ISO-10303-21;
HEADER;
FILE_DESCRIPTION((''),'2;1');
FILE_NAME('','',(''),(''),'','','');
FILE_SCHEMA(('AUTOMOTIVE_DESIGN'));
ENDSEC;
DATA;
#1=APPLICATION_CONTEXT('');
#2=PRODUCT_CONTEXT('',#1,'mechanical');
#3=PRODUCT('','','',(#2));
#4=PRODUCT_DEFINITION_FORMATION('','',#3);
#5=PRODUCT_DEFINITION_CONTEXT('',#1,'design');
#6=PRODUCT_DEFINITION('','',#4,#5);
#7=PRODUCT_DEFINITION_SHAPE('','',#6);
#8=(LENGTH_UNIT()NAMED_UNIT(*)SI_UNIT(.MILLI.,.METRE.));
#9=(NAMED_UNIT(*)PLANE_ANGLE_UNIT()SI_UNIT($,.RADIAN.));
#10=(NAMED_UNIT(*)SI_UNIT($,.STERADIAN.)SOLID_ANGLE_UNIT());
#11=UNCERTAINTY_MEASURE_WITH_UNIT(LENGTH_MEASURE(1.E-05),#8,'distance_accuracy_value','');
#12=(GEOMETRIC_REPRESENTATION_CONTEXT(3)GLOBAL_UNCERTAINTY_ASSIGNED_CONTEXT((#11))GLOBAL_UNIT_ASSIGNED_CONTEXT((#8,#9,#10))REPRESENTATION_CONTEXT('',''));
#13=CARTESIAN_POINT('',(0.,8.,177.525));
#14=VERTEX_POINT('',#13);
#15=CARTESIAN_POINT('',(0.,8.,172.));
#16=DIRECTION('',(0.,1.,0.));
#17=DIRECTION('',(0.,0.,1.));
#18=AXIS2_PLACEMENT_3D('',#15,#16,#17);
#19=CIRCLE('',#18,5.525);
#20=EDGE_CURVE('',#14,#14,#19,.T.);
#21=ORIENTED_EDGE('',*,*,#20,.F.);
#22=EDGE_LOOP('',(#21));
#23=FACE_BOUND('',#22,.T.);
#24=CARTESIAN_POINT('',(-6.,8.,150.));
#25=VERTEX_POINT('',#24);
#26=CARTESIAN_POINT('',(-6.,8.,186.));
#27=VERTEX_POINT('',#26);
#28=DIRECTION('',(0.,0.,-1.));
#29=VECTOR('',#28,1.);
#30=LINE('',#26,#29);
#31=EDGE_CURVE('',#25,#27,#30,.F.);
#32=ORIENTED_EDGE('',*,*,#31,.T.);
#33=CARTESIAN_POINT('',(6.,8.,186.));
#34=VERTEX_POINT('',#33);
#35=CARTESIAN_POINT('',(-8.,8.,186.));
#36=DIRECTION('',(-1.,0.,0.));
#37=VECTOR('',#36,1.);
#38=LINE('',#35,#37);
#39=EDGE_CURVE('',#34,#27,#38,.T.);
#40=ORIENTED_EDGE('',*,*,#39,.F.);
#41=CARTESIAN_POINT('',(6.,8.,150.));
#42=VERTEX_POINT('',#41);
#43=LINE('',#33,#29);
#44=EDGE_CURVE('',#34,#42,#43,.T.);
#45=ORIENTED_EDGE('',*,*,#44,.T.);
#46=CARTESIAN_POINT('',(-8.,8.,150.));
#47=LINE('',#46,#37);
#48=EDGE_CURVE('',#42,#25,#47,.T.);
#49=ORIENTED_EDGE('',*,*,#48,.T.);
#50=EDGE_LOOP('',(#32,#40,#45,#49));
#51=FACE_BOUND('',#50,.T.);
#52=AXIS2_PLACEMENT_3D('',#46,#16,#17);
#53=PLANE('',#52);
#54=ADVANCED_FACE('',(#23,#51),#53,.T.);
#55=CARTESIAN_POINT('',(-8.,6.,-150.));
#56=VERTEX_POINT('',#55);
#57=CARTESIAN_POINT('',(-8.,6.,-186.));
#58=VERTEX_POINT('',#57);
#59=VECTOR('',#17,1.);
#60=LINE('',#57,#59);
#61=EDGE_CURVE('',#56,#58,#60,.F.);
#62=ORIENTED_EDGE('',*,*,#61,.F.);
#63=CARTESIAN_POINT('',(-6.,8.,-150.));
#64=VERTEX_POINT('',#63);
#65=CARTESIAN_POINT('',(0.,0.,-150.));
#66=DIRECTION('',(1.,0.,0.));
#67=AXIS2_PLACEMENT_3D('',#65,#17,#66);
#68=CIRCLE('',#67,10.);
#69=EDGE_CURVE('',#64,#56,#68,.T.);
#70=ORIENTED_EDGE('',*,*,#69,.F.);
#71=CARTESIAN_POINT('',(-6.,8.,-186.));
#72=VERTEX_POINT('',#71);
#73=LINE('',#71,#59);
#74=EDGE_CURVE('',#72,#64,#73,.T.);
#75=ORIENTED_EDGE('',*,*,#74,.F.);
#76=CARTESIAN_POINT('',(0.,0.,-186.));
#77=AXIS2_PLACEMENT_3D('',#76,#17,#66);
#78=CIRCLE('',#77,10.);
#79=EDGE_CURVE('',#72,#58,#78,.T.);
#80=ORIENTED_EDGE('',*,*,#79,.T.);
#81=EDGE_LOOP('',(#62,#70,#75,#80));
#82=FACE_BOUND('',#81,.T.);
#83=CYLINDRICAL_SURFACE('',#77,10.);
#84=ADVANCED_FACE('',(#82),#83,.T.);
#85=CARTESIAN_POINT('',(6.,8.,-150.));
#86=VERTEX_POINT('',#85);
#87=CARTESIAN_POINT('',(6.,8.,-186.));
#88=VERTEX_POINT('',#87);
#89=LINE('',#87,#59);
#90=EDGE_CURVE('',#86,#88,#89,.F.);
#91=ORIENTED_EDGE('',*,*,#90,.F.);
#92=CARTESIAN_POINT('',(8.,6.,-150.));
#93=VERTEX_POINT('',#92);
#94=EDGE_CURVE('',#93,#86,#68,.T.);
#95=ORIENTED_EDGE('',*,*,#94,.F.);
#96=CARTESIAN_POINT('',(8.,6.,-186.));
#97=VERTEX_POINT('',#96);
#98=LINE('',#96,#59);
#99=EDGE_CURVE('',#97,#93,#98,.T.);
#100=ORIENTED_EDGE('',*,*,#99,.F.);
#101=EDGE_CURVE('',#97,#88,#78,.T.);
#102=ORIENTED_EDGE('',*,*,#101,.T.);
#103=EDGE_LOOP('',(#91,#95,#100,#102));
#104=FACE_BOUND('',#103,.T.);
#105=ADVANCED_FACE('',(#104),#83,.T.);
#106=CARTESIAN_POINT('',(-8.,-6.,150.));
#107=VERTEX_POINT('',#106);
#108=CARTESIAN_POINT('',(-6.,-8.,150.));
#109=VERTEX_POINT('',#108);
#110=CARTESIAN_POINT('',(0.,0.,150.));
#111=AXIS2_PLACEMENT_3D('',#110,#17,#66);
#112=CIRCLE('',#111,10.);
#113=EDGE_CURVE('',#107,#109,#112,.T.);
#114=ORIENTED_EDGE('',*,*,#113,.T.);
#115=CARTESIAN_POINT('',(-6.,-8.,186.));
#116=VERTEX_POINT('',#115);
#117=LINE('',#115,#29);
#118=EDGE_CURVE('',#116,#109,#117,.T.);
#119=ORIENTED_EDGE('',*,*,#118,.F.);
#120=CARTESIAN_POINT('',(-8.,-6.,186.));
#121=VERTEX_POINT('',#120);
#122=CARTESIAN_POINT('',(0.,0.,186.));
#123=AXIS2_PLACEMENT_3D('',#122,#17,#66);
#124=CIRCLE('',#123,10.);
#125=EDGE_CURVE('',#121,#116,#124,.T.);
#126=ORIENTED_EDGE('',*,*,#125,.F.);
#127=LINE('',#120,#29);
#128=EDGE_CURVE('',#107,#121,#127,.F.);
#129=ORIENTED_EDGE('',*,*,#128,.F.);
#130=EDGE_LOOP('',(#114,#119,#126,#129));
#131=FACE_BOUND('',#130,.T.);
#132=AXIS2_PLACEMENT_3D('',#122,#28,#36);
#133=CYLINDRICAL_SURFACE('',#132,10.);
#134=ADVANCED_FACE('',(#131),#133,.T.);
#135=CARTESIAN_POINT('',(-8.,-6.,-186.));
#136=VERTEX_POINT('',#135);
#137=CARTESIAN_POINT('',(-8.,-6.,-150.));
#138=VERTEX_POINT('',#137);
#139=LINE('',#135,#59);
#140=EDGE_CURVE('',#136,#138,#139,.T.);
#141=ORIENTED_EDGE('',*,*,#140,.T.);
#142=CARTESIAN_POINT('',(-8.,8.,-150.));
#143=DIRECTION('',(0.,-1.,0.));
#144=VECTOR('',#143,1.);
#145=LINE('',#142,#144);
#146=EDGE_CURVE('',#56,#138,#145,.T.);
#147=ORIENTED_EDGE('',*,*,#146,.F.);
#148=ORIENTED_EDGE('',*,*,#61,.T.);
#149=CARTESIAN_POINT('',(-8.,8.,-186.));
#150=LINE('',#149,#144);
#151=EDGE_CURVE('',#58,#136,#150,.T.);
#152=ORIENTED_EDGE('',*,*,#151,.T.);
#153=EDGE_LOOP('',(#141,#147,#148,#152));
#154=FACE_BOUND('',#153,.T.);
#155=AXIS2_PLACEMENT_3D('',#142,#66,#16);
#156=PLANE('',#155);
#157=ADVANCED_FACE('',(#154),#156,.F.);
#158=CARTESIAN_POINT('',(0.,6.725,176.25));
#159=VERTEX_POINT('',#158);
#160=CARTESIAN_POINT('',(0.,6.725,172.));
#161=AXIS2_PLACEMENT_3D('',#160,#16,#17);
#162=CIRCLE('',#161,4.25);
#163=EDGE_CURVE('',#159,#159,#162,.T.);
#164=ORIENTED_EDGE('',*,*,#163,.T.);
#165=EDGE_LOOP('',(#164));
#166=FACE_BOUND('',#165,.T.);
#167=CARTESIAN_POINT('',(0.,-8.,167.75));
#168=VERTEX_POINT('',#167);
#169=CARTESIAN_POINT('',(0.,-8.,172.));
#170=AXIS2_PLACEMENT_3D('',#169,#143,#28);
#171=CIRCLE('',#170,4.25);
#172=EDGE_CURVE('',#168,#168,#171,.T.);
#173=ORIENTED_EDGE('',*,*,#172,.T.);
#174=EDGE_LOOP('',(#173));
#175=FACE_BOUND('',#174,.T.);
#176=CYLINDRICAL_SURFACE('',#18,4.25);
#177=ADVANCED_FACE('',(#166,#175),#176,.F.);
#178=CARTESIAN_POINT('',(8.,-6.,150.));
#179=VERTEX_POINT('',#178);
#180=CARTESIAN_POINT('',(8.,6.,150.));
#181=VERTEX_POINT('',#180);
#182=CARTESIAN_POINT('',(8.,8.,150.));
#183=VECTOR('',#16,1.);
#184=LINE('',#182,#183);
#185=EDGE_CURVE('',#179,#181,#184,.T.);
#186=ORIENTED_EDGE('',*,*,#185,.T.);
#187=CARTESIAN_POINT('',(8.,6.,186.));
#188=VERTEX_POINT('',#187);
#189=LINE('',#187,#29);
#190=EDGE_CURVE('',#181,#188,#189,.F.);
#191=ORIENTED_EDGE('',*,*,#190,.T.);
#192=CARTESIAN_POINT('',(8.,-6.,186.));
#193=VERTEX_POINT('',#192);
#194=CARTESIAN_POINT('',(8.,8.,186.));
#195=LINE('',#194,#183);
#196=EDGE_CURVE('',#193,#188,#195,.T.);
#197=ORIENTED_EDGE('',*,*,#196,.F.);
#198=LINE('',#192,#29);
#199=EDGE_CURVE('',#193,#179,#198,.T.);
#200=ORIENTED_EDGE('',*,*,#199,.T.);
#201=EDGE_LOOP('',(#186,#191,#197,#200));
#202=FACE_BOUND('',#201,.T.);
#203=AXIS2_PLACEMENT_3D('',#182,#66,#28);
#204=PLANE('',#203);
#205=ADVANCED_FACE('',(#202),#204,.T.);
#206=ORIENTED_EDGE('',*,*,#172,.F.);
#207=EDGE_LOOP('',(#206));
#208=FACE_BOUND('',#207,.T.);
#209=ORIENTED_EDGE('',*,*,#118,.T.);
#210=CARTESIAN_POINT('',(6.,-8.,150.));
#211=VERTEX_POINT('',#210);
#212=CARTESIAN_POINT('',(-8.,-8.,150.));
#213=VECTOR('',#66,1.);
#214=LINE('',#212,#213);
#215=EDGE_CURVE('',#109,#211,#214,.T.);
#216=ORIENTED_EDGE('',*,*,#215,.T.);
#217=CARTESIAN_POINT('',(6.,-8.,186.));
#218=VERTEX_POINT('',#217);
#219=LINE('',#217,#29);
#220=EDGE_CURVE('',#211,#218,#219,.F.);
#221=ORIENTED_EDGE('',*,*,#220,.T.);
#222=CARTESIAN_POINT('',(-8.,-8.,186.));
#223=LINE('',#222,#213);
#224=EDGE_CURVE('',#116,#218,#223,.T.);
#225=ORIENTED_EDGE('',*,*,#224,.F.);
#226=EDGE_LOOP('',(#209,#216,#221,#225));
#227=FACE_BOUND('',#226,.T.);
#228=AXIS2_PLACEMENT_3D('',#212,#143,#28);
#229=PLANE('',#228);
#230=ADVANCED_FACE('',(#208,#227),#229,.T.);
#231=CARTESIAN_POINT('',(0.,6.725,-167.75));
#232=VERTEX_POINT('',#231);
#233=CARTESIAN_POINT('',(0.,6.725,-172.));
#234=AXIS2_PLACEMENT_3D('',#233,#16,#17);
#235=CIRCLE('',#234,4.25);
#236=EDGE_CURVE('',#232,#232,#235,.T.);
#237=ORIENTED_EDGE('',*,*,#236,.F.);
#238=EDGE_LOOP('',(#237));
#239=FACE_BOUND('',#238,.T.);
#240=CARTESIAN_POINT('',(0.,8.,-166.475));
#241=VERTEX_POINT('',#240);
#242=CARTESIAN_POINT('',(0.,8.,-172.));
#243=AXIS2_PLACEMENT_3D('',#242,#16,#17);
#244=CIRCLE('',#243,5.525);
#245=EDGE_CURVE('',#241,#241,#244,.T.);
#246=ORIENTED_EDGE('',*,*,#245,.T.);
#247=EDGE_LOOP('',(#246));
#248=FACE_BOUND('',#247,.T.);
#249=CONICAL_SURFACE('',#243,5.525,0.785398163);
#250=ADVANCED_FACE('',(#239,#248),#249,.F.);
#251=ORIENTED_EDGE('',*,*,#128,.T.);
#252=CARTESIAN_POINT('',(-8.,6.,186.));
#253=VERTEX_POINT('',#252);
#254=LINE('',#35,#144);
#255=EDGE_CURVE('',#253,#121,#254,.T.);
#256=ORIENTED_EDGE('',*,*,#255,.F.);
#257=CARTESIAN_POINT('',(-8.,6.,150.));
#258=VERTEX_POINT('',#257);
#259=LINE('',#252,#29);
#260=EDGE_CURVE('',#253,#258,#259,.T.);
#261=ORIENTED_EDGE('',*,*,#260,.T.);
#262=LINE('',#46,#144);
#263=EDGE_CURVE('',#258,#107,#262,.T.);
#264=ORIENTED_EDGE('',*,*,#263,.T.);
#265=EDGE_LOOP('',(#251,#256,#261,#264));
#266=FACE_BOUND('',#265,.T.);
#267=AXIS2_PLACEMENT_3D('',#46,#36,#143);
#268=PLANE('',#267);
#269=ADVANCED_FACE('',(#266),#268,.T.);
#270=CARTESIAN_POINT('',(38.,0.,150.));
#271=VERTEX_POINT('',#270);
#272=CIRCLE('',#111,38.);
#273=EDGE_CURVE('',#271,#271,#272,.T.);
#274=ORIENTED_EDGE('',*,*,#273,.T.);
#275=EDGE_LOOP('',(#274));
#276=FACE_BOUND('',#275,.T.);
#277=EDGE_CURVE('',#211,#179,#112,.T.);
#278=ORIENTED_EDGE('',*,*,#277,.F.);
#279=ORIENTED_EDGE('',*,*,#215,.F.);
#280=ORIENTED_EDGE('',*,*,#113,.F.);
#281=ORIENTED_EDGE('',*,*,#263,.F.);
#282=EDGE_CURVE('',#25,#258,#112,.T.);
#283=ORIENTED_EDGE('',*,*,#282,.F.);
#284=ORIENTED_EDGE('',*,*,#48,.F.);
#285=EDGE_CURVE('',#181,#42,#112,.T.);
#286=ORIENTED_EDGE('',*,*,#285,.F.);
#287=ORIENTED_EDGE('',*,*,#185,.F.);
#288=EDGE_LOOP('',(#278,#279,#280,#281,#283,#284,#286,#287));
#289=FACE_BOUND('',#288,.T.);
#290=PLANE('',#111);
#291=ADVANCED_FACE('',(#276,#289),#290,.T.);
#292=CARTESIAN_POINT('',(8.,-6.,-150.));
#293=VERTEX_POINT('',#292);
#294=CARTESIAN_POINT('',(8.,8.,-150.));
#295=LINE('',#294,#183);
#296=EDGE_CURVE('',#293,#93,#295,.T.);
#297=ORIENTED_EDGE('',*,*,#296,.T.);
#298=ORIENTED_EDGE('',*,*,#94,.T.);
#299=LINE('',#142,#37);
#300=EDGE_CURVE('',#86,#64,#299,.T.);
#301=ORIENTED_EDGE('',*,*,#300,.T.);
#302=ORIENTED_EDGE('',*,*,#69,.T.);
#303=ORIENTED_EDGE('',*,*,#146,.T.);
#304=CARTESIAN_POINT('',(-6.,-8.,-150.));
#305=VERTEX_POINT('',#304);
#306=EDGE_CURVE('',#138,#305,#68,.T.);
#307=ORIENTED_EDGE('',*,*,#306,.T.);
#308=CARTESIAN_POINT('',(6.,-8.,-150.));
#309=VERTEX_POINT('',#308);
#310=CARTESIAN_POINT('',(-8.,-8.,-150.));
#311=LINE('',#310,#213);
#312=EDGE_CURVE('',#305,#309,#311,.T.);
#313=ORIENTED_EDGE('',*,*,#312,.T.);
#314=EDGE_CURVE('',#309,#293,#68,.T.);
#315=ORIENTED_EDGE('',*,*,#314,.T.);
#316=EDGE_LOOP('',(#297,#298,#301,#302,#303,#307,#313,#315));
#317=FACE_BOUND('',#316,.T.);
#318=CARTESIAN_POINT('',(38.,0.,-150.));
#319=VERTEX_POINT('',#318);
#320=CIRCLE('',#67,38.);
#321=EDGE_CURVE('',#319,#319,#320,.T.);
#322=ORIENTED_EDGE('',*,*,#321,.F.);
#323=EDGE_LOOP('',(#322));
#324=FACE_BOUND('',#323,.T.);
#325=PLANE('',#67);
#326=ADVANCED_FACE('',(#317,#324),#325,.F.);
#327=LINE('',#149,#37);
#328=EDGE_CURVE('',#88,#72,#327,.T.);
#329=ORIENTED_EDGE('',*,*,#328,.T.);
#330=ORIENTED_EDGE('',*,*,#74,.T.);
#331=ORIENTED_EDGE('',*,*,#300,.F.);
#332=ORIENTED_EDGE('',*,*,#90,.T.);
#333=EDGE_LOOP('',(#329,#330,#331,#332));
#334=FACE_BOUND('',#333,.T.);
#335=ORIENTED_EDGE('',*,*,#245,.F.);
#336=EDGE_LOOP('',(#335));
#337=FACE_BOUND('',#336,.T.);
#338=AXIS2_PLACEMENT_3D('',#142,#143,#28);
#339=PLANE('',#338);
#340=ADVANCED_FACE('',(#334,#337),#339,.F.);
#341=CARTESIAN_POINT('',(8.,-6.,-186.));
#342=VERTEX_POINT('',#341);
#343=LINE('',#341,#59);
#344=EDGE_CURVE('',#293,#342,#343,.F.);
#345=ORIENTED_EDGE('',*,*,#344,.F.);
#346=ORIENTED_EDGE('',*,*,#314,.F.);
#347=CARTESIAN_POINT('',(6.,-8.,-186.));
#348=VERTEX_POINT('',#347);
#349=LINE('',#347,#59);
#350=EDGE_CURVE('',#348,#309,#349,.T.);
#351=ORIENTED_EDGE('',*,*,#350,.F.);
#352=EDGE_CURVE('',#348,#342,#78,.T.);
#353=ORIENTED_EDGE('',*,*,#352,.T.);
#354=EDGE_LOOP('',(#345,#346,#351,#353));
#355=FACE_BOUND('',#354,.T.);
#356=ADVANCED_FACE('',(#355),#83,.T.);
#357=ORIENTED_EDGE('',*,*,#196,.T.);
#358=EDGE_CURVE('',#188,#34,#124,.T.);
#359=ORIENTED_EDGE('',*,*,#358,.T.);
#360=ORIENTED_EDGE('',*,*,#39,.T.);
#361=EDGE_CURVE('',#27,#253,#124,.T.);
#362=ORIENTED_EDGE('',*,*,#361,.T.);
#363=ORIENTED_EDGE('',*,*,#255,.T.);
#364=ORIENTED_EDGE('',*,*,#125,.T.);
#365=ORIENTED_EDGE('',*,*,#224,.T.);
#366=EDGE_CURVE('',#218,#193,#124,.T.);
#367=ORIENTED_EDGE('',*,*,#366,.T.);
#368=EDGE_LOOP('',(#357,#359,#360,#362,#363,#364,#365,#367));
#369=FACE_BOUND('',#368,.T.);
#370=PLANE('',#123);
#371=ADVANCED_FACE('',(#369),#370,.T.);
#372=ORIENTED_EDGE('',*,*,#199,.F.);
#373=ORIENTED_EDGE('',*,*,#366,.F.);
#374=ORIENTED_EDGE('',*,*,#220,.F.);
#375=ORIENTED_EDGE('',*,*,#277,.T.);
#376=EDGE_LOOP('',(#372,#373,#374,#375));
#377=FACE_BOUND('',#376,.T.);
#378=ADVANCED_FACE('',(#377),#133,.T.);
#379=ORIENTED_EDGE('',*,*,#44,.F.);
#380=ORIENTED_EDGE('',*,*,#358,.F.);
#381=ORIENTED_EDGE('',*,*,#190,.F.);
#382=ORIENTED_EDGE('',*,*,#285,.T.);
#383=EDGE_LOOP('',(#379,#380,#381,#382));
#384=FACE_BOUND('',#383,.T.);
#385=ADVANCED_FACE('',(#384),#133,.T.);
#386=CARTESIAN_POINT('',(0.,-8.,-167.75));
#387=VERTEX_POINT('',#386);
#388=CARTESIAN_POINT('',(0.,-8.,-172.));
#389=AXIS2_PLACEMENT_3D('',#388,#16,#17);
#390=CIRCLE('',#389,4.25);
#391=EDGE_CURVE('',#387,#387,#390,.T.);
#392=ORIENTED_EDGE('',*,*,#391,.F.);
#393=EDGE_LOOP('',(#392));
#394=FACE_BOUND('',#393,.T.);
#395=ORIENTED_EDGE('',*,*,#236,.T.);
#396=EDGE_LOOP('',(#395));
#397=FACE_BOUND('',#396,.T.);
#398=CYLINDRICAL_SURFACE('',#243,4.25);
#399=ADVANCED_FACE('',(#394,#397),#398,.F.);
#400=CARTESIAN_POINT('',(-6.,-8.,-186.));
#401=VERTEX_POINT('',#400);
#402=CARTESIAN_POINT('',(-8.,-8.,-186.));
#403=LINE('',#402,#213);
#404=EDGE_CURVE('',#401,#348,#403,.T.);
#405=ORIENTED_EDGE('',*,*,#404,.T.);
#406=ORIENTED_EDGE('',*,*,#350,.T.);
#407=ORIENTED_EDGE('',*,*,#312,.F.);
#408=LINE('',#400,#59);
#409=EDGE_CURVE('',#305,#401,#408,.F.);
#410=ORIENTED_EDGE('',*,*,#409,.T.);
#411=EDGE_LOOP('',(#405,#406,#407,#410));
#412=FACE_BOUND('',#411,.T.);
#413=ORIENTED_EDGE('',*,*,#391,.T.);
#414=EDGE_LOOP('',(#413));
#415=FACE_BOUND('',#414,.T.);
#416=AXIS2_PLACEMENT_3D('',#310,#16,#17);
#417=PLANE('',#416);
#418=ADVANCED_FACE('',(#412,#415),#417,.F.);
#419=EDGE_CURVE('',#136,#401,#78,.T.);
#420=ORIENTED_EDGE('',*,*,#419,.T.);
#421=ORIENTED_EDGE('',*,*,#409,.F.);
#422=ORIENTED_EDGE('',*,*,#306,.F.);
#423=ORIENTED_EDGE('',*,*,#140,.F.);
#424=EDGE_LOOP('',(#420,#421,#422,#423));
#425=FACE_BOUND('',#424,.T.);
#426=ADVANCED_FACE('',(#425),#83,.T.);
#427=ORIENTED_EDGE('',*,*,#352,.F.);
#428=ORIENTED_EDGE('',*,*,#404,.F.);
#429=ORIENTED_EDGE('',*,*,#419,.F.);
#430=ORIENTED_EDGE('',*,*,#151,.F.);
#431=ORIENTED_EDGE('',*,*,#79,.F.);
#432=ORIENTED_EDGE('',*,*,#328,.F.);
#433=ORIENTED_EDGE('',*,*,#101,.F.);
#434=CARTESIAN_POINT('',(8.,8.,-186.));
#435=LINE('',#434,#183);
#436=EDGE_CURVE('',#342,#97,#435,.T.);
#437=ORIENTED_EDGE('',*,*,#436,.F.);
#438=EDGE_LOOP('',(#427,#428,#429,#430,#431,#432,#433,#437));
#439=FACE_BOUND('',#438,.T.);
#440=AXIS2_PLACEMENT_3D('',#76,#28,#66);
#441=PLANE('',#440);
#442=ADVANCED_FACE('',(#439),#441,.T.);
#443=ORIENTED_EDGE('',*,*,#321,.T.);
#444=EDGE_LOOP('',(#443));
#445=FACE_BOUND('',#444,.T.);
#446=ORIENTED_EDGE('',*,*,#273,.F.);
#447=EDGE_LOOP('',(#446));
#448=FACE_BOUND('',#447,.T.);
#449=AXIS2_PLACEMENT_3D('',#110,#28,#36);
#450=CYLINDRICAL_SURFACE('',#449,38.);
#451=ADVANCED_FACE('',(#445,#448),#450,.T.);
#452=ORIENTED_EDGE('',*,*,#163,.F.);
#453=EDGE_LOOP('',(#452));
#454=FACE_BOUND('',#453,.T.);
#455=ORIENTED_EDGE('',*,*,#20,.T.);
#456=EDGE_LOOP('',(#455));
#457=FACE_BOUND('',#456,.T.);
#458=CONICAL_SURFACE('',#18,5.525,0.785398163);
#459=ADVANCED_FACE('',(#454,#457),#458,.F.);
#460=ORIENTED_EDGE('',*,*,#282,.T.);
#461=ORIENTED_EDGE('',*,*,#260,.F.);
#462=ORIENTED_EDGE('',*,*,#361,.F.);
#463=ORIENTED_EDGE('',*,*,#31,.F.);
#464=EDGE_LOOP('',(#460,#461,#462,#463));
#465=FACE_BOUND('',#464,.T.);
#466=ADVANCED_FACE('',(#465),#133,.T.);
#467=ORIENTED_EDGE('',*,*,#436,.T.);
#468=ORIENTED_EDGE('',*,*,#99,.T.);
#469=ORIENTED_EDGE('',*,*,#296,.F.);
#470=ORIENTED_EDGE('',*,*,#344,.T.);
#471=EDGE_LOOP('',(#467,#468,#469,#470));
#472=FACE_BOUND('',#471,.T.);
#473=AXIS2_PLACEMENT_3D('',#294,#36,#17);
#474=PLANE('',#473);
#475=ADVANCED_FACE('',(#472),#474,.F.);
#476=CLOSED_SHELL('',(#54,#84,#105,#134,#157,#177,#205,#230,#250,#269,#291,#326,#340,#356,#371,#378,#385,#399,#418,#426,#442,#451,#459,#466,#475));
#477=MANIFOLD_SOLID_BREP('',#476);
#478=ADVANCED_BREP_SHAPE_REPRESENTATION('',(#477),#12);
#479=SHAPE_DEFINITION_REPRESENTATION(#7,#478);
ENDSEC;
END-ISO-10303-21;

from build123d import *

# Parameters (mm, degrees)
SKETCH_1_R           = 38
EXTRUDE_1_DEPTH      = 150
SKETCH_2_R           = 10
EXTRUDE_2_DEPTH      = 36
SKETCH_3_OUTSIDE_W   = 148.554
SKETCH_3_OUTSIDE_H   = 148.554
SKETCH_3_OUTSIDE_W_2 = 16
SKETCH_3_OUTSIDE_H_2 = 16
CUT_EXTRUDE_1_DEPTH  = 36


with BuildPart() as part:
    # 草图1 → 凸台-拉伸1 (new, symmetric)
    with BuildSketch(Plane.XY):
        Circle(SKETCH_1_R)
    extrude(amount=EXTRUDE_1_DEPTH, both=True)

    # 草图2 → 凸台-拉伸2 (add)
    with BuildSketch(Plane.XY.offset(150)):
        Circle(SKETCH_2_R)
    extrude_2 = extrude(amount=EXTRUDE_2_DEPTH)

    # 草图3 outside → 切除-拉伸1 (cut)
    with BuildSketch(Plane.XY.offset(186)):
        Rectangle(SKETCH_3_OUTSIDE_W, SKETCH_3_OUTSIDE_H)
        Rectangle(SKETCH_3_OUTSIDE_W_2, SKETCH_3_OUTSIDE_H_2, mode=Mode.SUBTRACT)
    cut_extrude_1 = extrude(amount=-CUT_EXTRUDE_1_DEPTH, mode=Mode.SUBTRACT)

    # 草图5 → M10 螺纹孔1 (revolve, cut)
    with BuildSketch(Plane(origin=(0, 8, 172), x_dir=(0, 0, 1), z_dir=(1, 0, 0))):
        Polygon((0, 0), (0, 27.053657631), (4.25, 24.5), (4.25, 1.275), (5.525, 0), align=None)
    hole_wizard_m10_1 = revolve(axis=Axis((0, 14.35, 172), (0, -1, 0)), mode=Mode.SUBTRACT)

    # 镜向1: 凸台-拉伸2, 切除-拉伸1, M10 螺纹孔1 across plane
    add(extrude_2.mirror(Plane.XY))
    add(cut_extrude_1.mirror(Plane.XY), mode=Mode.SUBTRACT)
    add(hole_wizard_m10_1.mirror(Plane.XY), mode=Mode.SUBTRACT)


solid = part.part
